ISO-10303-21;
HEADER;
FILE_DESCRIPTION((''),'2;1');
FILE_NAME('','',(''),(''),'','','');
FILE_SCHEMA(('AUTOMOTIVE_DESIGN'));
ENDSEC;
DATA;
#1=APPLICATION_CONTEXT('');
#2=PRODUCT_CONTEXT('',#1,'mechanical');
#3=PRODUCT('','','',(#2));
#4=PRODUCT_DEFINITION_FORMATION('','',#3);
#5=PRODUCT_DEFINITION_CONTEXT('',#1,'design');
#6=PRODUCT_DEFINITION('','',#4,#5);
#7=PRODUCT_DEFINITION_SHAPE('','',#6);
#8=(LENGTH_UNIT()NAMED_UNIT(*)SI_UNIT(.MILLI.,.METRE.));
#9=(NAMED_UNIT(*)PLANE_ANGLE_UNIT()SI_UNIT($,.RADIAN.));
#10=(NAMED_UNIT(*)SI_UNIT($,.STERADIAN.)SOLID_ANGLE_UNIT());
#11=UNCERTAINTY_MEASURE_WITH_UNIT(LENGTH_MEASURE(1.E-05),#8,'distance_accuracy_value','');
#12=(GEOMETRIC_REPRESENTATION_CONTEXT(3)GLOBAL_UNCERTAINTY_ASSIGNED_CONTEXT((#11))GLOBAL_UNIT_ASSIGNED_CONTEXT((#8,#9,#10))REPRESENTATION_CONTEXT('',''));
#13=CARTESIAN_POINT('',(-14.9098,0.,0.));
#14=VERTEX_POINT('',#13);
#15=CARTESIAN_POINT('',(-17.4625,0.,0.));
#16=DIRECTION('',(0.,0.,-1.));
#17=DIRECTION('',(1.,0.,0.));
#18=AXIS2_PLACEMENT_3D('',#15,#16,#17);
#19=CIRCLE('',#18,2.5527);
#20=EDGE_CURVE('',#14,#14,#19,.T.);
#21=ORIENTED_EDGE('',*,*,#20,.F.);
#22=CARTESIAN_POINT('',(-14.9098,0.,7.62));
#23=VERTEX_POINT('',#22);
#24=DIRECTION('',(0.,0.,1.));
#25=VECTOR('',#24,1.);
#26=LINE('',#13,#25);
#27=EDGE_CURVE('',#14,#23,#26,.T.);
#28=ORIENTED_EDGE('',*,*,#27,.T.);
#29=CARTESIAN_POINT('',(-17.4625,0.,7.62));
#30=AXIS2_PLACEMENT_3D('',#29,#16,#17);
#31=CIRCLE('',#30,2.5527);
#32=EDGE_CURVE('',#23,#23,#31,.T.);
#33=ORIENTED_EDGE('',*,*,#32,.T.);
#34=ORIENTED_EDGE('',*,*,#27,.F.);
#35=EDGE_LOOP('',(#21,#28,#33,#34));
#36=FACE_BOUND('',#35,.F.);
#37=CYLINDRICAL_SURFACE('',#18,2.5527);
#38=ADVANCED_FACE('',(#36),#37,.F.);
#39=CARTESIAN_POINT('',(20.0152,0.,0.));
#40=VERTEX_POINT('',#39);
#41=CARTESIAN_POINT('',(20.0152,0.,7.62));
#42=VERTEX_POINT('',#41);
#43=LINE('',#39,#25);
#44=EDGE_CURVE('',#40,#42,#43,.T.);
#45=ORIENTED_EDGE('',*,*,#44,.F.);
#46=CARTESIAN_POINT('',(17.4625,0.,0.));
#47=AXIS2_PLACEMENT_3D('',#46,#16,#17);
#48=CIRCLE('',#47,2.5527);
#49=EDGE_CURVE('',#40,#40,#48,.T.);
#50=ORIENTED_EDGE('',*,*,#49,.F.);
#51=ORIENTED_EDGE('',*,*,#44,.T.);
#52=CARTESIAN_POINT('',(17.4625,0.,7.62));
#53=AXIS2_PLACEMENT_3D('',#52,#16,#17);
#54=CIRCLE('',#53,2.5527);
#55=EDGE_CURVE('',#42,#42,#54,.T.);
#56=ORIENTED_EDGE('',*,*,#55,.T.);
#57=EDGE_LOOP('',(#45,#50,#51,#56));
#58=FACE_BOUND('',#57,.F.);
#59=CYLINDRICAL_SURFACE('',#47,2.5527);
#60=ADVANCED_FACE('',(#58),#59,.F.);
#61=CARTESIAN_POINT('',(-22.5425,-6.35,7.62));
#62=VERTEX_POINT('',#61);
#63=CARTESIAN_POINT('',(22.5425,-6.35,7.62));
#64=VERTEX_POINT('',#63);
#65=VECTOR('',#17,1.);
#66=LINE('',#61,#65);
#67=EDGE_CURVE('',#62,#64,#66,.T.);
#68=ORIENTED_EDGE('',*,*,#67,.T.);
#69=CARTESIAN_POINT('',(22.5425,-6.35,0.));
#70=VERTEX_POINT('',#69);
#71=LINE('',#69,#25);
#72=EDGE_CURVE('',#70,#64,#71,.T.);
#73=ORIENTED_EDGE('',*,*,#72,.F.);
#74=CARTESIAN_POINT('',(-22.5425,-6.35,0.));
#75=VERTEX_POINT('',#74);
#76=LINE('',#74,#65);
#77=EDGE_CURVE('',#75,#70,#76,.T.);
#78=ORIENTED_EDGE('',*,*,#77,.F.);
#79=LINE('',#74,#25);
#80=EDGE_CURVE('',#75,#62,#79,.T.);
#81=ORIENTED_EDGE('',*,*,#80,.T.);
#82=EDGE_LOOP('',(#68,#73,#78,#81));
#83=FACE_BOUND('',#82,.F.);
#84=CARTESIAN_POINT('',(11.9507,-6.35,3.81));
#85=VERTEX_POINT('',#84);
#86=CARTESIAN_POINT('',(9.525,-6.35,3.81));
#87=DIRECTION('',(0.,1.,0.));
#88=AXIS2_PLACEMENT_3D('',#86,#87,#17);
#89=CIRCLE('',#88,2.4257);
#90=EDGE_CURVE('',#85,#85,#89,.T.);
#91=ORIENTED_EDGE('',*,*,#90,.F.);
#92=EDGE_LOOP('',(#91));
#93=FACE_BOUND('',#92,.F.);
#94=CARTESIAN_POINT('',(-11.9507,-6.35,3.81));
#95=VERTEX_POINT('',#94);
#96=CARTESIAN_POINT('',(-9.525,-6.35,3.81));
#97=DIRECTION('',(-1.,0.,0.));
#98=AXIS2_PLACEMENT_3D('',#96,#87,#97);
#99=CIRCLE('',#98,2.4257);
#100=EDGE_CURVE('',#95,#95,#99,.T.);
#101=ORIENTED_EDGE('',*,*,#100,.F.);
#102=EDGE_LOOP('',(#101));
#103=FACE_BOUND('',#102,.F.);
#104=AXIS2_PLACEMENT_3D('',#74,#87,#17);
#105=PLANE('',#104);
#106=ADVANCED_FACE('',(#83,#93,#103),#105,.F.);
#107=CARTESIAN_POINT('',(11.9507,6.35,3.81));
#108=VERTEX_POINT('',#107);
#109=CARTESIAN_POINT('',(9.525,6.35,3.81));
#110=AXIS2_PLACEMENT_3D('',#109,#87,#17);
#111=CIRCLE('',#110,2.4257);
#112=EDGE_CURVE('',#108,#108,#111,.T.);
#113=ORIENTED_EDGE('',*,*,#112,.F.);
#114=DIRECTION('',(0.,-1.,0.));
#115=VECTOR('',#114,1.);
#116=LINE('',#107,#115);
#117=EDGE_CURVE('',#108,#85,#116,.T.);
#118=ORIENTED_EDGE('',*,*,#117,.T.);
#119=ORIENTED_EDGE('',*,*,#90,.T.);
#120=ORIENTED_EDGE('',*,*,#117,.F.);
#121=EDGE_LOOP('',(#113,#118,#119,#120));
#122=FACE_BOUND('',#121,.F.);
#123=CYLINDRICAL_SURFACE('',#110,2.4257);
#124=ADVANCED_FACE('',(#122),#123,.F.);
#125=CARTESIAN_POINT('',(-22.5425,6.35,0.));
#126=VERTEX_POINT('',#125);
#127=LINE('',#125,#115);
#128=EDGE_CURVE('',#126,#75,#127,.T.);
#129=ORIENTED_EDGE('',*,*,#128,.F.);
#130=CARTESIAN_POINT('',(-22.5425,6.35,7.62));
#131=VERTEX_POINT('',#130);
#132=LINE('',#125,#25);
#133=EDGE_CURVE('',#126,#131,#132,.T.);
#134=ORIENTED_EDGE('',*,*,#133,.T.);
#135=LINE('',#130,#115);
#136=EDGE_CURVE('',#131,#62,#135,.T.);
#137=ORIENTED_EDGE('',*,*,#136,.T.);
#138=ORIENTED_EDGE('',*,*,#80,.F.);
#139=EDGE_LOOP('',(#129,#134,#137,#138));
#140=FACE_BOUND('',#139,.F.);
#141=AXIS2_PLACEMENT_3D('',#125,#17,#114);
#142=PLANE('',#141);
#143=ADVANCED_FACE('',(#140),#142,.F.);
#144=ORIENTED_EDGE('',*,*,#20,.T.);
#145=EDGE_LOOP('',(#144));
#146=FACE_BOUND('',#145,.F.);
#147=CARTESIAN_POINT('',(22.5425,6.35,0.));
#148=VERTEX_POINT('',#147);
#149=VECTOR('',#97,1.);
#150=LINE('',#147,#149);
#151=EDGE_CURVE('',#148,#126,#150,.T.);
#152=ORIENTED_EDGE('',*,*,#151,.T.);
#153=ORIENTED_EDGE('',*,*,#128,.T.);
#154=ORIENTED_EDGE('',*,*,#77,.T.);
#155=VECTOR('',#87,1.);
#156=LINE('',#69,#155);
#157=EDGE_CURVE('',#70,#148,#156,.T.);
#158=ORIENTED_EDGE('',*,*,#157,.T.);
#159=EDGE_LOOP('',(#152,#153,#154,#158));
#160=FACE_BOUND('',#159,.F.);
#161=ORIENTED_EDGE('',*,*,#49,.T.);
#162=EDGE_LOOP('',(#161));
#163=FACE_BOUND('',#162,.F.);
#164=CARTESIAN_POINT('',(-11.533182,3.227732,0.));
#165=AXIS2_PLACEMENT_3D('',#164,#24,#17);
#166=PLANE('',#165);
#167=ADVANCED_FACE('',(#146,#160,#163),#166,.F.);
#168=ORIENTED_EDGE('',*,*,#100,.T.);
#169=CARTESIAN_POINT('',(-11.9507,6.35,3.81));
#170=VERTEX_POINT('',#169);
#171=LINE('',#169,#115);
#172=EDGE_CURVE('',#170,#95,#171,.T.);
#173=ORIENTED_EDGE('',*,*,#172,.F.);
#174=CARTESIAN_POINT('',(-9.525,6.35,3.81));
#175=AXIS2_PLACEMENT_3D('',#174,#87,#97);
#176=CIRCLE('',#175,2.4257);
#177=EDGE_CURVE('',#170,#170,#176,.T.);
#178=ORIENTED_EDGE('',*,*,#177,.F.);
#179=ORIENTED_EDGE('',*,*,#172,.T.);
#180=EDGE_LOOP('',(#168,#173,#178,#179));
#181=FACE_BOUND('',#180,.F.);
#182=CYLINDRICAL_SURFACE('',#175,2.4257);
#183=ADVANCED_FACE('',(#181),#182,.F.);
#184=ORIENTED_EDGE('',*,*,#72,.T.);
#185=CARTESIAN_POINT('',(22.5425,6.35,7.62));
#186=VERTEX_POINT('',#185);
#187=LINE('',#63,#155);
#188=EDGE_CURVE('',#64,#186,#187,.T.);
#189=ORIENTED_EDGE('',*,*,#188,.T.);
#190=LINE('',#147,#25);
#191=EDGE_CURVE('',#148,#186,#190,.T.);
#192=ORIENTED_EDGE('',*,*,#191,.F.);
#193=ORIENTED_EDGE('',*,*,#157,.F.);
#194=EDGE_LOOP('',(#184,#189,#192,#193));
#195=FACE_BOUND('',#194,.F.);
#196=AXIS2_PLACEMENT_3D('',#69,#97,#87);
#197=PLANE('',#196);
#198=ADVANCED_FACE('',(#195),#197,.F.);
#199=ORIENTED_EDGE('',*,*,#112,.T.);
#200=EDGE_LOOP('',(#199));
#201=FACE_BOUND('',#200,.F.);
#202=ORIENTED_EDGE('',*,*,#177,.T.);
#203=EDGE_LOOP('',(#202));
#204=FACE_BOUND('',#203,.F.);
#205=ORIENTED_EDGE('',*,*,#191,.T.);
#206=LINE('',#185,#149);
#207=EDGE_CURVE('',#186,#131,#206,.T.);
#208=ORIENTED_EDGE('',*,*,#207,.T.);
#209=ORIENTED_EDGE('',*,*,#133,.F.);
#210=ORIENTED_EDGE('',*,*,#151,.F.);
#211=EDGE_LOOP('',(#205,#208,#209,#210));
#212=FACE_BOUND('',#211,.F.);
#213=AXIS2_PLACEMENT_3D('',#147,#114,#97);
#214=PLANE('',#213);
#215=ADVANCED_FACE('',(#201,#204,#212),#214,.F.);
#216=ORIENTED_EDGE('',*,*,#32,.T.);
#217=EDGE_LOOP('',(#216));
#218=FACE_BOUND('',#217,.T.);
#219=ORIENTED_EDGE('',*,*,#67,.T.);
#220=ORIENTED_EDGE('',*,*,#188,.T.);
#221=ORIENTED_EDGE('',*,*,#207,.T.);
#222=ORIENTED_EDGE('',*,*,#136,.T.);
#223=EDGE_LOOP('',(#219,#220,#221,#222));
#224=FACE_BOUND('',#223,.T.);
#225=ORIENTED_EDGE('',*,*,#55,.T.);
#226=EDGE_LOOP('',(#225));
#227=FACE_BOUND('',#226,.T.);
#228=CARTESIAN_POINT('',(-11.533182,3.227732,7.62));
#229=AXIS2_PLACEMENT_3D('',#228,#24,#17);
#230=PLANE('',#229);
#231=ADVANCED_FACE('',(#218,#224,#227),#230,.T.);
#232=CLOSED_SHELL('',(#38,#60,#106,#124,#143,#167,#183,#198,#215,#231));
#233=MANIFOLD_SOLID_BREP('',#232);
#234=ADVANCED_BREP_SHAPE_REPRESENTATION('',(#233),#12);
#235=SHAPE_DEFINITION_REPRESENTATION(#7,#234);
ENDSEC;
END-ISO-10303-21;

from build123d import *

# Parameters (mm, degrees)
F1_DEPTH = 7.62
F3_DEPTH = 25.4


with BuildPart() as f1:
    # F0 (on Top) → F1 (new body)
    with BuildSketch(Plane.XY):
        with BuildLine():
            Line((0, 6.35), (-22.5425, 6.35))
            Line((-22.5425, 6.35), (-22.5425, 0))
            Line((-22.5425, 0), (-20.0152, 0))
            ThreePointArc((-20.0152, 0), (-17.4625, 2.5527), (-14.9098, 0))
            Line((-14.9098, 0), (0, 0))
            Line((0, 0), (0, 6.35))
        make_face()
        with BuildLine():
            Line((22.5425, 6.35), (0, 6.35))
            Line((0, 6.35), (0, 0))
            Line((0, 0), (14.9098, 0))
            ThreePointArc((14.9098, 0), (17.4625, 2.5527), (20.0152, 0))
            Line((20.0152, 0), (22.5425, 0))
            Line((22.5425, 0), (22.5425, 6.35))
        make_face()
        with BuildLine():
            Line((-20.0152, 0), (-22.5425, 0))
            Line((-22.5425, 0), (-22.5425, -6.35))
            Line((-22.5425, -6.35), (0, -6.35))
            Line((0, -6.35), (0, 0))
            Line((0, 0), (-14.9098, 0))
            ThreePointArc((-14.9098, 0), (-17.4625, -2.5527), (-20.0152, 0))
        make_face()
        with BuildLine():
            Line((14.9098, 0), (0, 0))
            Line((0, 0), (0, -6.35))
            Line((0, -6.35), (22.5425, -6.35))
            Line((22.5425, -6.35), (22.5425, 0))
            Line((22.5425, 0), (20.0152, 0))
            ThreePointArc((20.0152, 0), (17.4625, -2.5527), (14.9098, 0))
        make_face()
    extrude(amount=F1_DEPTH)

    # F2 (on face) → F3 (cut)
    with BuildSketch(Plane(origin=(0, 6.35, 0), x_dir=(-1, 0, 0), z_dir=(0, 1, 0))):
        with BuildLine():
            Line((-11.9507, 3.81), (-7.0993, 3.81))
            ThreePointArc((-7.0993, 3.81), (-9.525, 6.2357), (-11.9507, 3.81))
        make_face()
        with BuildLine():
            ThreePointArc((-11.9507, 3.81), (-9.525, 1.3843), (-7.0993, 3.81))
            Line((-7.0993, 3.81), (-11.9507, 3.81))
        make_face()
        with BuildLine():
            ThreePointArc((7.0993, 3.81), (9.525, 1.3843), (11.9507, 3.81))
            Line((11.9507, 3.81), (7.0993, 3.81))
        make_face()
        with BuildLine():
            Line((7.0993, 3.81), (11.9507, 3.81))
            ThreePointArc((11.9507, 3.81), (9.525, 6.2357), (7.0993, 3.81))
        make_face()
    extrude(amount=-F3_DEPTH, mode=Mode.SUBTRACT)


solid = f1.part
